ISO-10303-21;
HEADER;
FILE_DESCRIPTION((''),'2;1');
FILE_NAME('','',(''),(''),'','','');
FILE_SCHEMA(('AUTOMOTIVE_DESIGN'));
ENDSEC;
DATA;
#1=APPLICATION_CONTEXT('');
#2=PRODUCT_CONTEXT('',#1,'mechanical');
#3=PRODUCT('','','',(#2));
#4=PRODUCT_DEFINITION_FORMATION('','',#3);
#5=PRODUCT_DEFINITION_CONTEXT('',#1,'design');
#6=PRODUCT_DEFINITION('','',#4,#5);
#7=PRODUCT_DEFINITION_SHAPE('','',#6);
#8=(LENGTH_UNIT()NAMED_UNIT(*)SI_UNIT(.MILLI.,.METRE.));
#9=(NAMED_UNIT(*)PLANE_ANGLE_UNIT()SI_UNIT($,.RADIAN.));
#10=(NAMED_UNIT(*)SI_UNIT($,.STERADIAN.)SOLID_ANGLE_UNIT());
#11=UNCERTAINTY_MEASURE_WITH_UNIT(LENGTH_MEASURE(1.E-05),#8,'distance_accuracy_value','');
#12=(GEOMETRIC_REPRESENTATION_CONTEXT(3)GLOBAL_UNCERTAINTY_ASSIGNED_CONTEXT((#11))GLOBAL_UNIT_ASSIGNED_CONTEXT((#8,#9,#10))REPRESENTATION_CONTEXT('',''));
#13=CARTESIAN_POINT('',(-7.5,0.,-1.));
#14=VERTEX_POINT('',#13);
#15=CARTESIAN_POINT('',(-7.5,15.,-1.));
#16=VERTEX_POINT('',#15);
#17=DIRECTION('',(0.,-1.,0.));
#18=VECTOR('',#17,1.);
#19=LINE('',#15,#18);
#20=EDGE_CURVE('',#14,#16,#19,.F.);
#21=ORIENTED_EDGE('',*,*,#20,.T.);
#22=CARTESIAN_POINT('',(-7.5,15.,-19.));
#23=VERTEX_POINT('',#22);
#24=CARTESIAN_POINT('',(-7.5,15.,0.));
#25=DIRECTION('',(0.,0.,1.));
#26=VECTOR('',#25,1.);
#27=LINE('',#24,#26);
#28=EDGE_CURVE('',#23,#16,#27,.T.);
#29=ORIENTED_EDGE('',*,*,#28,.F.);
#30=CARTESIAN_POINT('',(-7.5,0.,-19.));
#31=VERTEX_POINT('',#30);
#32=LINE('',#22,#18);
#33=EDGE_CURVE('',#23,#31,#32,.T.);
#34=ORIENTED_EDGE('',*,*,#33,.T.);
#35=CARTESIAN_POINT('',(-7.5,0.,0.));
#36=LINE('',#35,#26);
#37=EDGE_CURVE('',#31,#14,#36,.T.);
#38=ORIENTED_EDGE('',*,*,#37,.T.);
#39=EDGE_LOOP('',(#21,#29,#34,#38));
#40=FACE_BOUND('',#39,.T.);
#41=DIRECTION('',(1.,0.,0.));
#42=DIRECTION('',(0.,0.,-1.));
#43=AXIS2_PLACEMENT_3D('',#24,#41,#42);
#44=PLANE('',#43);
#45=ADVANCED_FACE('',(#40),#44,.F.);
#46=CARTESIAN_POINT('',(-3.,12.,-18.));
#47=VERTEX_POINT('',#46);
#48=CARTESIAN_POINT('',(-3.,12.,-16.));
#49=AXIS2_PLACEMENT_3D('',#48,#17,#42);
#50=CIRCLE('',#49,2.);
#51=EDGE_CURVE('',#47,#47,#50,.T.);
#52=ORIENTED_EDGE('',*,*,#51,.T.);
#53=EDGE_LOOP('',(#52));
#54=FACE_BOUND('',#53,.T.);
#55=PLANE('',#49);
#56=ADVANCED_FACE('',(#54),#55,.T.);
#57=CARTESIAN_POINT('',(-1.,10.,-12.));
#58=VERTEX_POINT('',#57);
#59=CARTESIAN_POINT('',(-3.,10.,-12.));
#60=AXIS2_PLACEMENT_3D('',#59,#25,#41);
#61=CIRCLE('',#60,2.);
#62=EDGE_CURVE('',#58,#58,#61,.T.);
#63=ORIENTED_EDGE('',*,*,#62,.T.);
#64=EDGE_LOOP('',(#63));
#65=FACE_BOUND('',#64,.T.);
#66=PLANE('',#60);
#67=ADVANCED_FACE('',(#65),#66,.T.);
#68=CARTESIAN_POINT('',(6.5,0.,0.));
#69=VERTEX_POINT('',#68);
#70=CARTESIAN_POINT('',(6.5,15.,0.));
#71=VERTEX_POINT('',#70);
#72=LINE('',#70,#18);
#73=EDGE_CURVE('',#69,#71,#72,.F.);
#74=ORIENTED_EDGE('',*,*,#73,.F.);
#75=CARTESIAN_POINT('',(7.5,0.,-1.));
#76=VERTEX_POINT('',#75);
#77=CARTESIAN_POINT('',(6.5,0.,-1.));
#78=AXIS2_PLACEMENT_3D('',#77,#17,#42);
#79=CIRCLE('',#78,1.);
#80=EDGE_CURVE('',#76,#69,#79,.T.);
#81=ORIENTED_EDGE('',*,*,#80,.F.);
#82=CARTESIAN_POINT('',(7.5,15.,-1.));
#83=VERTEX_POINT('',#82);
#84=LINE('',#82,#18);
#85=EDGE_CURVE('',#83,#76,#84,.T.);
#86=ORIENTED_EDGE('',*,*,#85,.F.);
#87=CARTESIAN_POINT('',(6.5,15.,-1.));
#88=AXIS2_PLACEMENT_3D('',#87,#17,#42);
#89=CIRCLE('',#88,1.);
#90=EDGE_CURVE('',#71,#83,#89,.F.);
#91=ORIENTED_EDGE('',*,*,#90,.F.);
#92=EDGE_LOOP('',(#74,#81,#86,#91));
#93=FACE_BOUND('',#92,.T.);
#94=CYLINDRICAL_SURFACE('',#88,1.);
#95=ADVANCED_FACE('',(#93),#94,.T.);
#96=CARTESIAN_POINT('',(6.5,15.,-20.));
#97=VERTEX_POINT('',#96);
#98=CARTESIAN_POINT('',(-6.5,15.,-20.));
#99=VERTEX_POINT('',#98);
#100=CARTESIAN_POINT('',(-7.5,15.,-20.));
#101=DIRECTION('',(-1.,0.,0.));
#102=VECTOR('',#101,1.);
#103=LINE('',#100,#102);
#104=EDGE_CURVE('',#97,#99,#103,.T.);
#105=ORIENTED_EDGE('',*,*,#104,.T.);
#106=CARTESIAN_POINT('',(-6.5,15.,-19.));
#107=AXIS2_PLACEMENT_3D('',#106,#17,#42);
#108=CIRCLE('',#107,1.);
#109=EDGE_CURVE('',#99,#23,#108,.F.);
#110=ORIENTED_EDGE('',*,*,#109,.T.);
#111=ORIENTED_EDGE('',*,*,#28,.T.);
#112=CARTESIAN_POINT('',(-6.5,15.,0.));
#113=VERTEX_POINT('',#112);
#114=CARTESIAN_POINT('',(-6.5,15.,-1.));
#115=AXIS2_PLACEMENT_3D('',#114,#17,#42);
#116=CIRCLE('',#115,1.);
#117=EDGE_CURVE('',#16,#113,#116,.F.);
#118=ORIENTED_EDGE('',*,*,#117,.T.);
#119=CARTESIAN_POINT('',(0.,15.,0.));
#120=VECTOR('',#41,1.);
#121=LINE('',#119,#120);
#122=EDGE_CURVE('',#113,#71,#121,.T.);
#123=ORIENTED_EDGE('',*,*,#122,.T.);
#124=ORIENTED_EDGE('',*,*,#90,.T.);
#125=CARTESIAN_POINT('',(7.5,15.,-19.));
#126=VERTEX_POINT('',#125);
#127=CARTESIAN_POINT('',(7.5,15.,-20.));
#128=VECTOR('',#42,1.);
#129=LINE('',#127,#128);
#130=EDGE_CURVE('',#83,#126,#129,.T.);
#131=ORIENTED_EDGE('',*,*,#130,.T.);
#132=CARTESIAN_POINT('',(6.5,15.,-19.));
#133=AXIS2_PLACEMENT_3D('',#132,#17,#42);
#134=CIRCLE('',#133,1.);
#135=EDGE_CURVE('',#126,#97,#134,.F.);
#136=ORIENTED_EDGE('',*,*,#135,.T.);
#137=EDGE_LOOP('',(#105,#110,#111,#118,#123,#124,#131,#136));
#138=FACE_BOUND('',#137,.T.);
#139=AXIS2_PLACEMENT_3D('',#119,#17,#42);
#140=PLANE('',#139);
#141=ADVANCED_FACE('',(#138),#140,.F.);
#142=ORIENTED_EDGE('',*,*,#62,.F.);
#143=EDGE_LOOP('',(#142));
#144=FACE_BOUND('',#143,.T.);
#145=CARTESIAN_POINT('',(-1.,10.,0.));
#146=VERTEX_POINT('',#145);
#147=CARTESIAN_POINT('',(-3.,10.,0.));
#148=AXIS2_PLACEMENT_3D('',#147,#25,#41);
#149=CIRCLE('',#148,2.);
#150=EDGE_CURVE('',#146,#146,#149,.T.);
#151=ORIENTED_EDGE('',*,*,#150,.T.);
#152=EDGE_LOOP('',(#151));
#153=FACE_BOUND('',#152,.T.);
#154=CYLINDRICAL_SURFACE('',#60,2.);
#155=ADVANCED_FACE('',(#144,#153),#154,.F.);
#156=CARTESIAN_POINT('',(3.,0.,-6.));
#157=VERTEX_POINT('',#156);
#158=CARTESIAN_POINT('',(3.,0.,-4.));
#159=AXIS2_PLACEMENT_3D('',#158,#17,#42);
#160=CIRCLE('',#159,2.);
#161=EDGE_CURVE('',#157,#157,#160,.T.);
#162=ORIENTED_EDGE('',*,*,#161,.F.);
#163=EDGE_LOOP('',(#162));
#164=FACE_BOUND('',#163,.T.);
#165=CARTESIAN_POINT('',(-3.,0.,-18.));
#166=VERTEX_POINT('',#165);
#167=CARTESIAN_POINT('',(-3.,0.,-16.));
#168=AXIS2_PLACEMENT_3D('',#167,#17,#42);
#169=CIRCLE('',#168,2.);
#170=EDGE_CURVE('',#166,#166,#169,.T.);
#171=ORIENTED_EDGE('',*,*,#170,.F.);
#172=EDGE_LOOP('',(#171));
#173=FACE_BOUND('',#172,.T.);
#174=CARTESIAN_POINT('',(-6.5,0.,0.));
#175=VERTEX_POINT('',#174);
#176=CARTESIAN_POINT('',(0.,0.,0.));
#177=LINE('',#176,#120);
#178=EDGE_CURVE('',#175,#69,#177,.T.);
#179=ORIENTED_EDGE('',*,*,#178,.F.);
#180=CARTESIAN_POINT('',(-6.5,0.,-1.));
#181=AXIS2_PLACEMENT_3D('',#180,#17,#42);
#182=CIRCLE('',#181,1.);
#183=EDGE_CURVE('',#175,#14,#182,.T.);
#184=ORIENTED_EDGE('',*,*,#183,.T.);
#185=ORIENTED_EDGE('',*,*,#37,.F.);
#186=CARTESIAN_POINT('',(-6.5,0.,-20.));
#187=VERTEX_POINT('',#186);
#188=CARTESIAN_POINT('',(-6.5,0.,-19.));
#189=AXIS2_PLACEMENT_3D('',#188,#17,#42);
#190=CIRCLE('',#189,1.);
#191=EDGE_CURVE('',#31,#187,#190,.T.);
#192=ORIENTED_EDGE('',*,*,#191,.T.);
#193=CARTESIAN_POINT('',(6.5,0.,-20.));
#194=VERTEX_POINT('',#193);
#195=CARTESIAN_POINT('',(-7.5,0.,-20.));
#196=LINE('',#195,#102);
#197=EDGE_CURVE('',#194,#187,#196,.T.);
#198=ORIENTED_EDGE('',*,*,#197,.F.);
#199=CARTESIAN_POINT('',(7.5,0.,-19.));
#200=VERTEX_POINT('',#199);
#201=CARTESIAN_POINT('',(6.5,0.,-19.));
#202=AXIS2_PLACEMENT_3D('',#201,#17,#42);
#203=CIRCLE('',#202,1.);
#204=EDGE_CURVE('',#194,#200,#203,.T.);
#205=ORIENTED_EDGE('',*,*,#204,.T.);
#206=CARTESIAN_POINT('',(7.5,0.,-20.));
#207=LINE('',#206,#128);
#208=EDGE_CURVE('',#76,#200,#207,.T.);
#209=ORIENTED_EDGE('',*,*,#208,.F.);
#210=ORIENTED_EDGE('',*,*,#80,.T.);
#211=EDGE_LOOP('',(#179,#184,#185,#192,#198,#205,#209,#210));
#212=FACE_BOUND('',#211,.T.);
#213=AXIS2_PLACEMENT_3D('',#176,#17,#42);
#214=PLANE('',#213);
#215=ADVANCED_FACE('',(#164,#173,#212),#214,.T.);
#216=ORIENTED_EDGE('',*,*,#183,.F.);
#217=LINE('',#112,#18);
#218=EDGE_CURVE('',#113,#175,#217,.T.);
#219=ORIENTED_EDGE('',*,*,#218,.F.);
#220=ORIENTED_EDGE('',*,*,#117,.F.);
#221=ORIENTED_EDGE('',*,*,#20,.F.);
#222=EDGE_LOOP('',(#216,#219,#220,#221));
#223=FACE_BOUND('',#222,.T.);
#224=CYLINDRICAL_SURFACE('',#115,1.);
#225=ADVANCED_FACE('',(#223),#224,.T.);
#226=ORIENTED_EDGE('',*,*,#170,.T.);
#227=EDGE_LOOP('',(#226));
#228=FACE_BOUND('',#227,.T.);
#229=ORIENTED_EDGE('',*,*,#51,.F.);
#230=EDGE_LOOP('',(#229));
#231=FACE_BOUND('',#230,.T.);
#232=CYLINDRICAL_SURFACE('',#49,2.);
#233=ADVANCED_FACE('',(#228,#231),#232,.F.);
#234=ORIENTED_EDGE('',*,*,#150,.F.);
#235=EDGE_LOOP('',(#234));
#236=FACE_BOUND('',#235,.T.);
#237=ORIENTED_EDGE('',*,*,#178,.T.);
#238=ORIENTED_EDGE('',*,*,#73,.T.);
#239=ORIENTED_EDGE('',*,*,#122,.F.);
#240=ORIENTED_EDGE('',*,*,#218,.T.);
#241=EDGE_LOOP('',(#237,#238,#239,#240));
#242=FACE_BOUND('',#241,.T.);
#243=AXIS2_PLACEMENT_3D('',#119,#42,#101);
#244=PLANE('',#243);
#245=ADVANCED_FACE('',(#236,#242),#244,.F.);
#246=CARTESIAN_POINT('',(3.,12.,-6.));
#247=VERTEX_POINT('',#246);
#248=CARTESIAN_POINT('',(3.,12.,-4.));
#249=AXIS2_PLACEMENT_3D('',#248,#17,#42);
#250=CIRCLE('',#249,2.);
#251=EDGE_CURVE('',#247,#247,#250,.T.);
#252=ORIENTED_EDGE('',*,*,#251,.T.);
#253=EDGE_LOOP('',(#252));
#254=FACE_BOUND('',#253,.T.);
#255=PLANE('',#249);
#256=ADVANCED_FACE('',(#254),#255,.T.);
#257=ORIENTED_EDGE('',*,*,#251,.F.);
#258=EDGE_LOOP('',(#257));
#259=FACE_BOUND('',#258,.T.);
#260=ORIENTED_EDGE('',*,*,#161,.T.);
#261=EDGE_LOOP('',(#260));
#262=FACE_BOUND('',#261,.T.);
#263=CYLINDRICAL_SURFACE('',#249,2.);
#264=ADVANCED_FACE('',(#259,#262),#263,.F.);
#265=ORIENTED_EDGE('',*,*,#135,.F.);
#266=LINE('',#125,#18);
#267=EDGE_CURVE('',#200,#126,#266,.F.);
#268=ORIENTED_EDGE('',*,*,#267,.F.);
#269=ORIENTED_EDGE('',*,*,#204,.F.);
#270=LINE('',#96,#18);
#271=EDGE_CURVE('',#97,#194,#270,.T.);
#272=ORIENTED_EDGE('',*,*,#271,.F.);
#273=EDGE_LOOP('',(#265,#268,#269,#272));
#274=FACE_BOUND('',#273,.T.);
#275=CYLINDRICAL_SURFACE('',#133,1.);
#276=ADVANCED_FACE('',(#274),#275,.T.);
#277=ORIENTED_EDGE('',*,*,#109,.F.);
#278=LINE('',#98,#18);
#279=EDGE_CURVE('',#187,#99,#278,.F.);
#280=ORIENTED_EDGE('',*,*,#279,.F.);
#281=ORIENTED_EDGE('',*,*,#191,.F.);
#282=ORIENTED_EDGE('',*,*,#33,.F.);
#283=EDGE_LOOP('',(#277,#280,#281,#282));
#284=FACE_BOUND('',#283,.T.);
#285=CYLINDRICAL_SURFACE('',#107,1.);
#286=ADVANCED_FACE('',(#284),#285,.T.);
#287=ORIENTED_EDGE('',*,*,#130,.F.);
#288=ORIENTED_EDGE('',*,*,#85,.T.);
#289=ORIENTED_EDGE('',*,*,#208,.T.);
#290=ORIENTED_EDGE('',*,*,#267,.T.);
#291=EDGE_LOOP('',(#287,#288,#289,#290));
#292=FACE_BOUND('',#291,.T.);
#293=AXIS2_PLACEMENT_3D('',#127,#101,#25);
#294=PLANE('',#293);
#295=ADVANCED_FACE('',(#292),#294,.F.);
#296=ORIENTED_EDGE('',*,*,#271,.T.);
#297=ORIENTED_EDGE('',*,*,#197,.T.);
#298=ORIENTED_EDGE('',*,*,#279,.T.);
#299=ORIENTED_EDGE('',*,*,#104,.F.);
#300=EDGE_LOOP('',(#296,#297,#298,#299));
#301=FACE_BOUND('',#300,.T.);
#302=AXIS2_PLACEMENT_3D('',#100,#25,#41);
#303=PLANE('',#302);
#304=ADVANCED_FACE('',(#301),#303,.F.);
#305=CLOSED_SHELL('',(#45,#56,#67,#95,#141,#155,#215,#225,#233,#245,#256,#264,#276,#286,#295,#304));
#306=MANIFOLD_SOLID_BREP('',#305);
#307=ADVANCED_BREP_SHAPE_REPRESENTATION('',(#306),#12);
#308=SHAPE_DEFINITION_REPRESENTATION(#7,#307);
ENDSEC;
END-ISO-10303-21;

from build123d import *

# Parameters (mm, degrees)
BOSS_EXTRU_1_DEPTH      = 15
ESQUISSE2_R             = 2
ENL_V_MAT_EXTRU_1_DEPTH = 12
ESQUISSE3_R             = 2
ENL_V_MAT_EXTRU_2_DEPTH = 12
CONG_1_R                = 1


with BuildPart() as part:
    # Esquisse1 → Boss.-Extru.1 (new body)
    with BuildSketch(Plane(origin=(0, 0, 0), x_dir=(1, 0, 0), z_dir=(0, 1, 0))):
        Polygon((0, 0), (7.5, 0), (7.5, 20), (-7.5, 20), (-7.5, 0), align=None)
    extrude(amount=BOSS_EXTRU_1_DEPTH)

    # Esquisse2 → Enlèv. mat.-Extru.1 (cut)
    with BuildSketch(Plane.XZ):
        with Locations(Location((-3, -16, 0), (0, 0, 270))):
            Circle(ESQUISSE2_R)
        with Locations(Location((3, -4, 0), (0, 0, 270))):
            Circle(ESQUISSE2_R)
    extrude(amount=-ENL_V_MAT_EXTRU_1_DEPTH, mode=Mode.SUBTRACT)

    # Esquisse3 → Enlèv. mat.-Extru.2 (cut)
    with BuildSketch(Plane.XY):
        with Locations((-3, 10)):
            Circle(ESQUISSE3_R)
    extrude(amount=-ENL_V_MAT_EXTRU_2_DEPTH, mode=Mode.SUBTRACT)

    # Congé1
    cong_1_edges = [part.edges().sort_by_distance(p)[0] for p in [
        (-7.5, 7.5, 0),
        (-7.5, 7.5, -20),
        (7.5, 7.5, -20),
        (7.5, 7.5, 0),
    ]]
    fillet(cong_1_edges, radius=CONG_1_R)


solid = part.part
